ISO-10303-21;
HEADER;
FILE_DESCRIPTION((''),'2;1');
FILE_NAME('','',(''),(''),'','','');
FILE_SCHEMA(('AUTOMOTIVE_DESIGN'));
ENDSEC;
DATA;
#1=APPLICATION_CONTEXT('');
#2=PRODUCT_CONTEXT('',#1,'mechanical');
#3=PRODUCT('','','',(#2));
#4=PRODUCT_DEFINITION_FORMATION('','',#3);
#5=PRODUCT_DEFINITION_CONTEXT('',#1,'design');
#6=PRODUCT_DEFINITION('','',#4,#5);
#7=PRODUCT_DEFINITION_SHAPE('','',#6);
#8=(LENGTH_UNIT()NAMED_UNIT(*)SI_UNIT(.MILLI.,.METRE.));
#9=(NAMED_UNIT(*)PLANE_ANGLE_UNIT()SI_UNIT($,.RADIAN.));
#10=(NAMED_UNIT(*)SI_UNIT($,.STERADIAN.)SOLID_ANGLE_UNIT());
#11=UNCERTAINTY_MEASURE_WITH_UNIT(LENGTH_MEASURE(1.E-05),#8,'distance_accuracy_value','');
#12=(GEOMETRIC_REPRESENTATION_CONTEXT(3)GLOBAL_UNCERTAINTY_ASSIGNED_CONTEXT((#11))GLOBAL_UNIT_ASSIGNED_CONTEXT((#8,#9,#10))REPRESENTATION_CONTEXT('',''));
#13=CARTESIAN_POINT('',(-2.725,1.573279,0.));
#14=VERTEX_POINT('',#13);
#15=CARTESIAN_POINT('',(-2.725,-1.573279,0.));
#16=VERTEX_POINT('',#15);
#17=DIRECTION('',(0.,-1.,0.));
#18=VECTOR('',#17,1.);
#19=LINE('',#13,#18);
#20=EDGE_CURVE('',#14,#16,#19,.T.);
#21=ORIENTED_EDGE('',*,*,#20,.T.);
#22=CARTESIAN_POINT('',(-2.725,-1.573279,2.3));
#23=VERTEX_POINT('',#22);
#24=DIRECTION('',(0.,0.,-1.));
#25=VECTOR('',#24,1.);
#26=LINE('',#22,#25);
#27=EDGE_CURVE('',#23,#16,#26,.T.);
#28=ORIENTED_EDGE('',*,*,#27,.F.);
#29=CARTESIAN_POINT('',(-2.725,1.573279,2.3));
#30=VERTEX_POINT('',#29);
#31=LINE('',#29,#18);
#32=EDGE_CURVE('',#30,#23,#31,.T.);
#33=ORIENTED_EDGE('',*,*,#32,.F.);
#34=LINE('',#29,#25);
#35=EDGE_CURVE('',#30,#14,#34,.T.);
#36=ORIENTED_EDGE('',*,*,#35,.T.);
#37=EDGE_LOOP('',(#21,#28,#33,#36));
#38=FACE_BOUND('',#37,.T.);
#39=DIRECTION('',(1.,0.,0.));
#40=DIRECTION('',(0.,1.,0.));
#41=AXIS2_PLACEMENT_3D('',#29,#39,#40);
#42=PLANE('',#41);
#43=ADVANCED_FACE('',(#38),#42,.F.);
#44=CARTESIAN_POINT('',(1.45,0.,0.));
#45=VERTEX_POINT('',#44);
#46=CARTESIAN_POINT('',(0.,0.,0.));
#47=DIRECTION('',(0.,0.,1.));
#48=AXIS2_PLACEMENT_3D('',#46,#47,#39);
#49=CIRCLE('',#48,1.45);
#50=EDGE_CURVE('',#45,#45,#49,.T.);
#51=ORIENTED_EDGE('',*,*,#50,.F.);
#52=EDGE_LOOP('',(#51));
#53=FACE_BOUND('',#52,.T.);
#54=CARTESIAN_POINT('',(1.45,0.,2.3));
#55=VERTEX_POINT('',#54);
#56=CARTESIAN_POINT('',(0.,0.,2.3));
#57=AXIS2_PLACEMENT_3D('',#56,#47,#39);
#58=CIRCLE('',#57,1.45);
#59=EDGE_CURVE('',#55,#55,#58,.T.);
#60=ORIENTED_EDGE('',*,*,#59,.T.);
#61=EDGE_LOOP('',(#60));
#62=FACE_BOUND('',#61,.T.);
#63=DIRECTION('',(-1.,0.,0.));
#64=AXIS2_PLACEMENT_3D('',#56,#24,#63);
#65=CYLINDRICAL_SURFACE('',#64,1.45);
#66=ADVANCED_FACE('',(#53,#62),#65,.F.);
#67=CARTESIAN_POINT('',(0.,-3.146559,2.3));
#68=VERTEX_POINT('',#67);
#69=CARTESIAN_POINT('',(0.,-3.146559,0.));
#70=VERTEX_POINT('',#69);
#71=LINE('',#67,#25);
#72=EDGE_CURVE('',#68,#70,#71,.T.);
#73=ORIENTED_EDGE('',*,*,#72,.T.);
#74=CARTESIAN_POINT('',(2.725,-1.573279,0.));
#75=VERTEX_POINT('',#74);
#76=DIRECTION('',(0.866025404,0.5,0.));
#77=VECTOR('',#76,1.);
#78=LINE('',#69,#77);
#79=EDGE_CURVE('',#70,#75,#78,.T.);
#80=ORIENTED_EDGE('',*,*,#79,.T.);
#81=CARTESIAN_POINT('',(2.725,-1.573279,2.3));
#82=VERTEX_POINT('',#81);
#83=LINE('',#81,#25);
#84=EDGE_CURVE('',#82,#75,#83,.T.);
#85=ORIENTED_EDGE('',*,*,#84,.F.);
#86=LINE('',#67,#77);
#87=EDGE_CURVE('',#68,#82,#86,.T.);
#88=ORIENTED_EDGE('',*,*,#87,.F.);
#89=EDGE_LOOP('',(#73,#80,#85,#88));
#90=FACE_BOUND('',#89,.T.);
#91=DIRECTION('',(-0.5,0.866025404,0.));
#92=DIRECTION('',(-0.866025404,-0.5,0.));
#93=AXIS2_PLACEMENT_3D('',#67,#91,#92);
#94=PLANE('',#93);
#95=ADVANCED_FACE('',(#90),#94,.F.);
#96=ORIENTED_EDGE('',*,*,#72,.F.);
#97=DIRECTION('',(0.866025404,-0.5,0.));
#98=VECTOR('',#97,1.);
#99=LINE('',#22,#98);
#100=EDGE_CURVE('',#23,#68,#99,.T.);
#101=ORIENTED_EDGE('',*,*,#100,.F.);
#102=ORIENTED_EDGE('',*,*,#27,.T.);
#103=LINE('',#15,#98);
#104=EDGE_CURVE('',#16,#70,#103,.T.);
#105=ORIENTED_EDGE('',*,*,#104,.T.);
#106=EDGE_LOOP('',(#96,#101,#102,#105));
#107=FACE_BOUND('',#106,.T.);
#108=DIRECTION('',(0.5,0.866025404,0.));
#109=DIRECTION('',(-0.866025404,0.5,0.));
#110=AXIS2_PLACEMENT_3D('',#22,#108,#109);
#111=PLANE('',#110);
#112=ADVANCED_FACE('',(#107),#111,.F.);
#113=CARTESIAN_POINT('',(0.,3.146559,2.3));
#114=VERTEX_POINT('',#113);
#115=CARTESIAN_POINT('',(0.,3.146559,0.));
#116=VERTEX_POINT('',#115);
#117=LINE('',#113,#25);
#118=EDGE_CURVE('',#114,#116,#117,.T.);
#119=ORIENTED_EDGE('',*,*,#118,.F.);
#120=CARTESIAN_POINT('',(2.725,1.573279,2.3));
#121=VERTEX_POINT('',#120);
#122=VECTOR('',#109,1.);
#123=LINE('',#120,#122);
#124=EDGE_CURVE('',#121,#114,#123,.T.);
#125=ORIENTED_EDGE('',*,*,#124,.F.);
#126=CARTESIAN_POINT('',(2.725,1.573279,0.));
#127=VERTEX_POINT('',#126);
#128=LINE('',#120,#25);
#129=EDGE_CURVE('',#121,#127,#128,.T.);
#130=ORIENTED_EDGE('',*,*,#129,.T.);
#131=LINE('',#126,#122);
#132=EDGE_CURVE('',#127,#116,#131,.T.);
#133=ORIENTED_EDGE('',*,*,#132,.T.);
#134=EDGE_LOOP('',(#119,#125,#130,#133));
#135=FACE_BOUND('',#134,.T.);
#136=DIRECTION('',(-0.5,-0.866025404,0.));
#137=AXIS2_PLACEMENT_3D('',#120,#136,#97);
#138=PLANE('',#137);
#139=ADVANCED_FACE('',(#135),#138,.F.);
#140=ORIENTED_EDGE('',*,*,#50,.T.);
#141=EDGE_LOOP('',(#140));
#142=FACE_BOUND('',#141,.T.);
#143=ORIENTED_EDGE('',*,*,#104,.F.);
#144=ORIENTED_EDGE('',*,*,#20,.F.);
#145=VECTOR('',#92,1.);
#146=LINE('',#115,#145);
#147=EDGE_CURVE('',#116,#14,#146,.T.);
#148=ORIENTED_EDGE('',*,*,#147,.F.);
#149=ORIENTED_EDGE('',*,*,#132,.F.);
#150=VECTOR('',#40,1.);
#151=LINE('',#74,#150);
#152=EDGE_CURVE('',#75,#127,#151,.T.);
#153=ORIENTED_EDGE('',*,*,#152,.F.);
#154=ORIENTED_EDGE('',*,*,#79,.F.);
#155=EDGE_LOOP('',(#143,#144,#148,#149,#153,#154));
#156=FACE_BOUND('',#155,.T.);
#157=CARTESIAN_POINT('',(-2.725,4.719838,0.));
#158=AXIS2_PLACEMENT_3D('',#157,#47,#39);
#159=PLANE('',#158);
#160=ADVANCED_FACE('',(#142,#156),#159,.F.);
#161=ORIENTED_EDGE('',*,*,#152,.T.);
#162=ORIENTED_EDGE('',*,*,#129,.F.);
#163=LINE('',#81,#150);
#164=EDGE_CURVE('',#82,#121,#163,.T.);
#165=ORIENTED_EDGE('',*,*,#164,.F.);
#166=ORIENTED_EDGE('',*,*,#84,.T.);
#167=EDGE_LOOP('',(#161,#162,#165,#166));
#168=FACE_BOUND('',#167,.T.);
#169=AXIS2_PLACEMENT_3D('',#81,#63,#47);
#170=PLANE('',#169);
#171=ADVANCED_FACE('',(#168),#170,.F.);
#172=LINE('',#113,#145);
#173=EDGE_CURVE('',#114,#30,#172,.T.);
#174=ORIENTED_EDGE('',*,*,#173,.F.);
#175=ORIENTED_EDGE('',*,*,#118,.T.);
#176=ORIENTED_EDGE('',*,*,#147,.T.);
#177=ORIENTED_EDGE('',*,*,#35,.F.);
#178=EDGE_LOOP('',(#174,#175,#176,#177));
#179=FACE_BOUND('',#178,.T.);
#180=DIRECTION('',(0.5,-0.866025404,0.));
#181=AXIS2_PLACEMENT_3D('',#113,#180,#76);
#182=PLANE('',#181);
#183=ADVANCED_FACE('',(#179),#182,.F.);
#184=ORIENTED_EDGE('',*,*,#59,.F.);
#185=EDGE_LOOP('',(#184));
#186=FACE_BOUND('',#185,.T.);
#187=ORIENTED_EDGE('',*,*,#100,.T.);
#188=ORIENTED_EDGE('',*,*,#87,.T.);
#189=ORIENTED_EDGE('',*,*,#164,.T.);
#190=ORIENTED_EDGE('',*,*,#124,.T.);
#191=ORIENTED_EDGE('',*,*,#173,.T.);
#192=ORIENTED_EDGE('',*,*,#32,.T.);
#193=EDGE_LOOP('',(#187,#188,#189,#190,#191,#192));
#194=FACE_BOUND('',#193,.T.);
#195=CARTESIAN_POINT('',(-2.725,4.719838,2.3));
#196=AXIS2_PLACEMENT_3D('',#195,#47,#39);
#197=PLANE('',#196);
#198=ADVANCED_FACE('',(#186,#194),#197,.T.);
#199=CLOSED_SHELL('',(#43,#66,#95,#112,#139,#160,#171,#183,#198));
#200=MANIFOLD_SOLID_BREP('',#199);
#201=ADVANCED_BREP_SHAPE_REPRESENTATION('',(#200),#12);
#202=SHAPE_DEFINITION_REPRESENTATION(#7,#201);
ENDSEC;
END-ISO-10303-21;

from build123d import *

# Parameters (mm, degrees)
ESQUISSE1_R      = 1.45
EXTRUSION1_DEPTH = 2.3


with BuildPart() as part:
    # Esquisse1 → Extrusion1 (new body)
    with BuildSketch(Plane.XY):
        Polygon((0, 3.146558967), (-2.725, 1.573279484), (-2.725, -1.573279484), (0, -3.146558967), (2.725, -1.573279484), (2.725, 1.573279484), align=None)
        Circle(ESQUISSE1_R, mode=Mode.SUBTRACT)
    extrude(amount=EXTRUSION1_DEPTH)


solid = part.part
